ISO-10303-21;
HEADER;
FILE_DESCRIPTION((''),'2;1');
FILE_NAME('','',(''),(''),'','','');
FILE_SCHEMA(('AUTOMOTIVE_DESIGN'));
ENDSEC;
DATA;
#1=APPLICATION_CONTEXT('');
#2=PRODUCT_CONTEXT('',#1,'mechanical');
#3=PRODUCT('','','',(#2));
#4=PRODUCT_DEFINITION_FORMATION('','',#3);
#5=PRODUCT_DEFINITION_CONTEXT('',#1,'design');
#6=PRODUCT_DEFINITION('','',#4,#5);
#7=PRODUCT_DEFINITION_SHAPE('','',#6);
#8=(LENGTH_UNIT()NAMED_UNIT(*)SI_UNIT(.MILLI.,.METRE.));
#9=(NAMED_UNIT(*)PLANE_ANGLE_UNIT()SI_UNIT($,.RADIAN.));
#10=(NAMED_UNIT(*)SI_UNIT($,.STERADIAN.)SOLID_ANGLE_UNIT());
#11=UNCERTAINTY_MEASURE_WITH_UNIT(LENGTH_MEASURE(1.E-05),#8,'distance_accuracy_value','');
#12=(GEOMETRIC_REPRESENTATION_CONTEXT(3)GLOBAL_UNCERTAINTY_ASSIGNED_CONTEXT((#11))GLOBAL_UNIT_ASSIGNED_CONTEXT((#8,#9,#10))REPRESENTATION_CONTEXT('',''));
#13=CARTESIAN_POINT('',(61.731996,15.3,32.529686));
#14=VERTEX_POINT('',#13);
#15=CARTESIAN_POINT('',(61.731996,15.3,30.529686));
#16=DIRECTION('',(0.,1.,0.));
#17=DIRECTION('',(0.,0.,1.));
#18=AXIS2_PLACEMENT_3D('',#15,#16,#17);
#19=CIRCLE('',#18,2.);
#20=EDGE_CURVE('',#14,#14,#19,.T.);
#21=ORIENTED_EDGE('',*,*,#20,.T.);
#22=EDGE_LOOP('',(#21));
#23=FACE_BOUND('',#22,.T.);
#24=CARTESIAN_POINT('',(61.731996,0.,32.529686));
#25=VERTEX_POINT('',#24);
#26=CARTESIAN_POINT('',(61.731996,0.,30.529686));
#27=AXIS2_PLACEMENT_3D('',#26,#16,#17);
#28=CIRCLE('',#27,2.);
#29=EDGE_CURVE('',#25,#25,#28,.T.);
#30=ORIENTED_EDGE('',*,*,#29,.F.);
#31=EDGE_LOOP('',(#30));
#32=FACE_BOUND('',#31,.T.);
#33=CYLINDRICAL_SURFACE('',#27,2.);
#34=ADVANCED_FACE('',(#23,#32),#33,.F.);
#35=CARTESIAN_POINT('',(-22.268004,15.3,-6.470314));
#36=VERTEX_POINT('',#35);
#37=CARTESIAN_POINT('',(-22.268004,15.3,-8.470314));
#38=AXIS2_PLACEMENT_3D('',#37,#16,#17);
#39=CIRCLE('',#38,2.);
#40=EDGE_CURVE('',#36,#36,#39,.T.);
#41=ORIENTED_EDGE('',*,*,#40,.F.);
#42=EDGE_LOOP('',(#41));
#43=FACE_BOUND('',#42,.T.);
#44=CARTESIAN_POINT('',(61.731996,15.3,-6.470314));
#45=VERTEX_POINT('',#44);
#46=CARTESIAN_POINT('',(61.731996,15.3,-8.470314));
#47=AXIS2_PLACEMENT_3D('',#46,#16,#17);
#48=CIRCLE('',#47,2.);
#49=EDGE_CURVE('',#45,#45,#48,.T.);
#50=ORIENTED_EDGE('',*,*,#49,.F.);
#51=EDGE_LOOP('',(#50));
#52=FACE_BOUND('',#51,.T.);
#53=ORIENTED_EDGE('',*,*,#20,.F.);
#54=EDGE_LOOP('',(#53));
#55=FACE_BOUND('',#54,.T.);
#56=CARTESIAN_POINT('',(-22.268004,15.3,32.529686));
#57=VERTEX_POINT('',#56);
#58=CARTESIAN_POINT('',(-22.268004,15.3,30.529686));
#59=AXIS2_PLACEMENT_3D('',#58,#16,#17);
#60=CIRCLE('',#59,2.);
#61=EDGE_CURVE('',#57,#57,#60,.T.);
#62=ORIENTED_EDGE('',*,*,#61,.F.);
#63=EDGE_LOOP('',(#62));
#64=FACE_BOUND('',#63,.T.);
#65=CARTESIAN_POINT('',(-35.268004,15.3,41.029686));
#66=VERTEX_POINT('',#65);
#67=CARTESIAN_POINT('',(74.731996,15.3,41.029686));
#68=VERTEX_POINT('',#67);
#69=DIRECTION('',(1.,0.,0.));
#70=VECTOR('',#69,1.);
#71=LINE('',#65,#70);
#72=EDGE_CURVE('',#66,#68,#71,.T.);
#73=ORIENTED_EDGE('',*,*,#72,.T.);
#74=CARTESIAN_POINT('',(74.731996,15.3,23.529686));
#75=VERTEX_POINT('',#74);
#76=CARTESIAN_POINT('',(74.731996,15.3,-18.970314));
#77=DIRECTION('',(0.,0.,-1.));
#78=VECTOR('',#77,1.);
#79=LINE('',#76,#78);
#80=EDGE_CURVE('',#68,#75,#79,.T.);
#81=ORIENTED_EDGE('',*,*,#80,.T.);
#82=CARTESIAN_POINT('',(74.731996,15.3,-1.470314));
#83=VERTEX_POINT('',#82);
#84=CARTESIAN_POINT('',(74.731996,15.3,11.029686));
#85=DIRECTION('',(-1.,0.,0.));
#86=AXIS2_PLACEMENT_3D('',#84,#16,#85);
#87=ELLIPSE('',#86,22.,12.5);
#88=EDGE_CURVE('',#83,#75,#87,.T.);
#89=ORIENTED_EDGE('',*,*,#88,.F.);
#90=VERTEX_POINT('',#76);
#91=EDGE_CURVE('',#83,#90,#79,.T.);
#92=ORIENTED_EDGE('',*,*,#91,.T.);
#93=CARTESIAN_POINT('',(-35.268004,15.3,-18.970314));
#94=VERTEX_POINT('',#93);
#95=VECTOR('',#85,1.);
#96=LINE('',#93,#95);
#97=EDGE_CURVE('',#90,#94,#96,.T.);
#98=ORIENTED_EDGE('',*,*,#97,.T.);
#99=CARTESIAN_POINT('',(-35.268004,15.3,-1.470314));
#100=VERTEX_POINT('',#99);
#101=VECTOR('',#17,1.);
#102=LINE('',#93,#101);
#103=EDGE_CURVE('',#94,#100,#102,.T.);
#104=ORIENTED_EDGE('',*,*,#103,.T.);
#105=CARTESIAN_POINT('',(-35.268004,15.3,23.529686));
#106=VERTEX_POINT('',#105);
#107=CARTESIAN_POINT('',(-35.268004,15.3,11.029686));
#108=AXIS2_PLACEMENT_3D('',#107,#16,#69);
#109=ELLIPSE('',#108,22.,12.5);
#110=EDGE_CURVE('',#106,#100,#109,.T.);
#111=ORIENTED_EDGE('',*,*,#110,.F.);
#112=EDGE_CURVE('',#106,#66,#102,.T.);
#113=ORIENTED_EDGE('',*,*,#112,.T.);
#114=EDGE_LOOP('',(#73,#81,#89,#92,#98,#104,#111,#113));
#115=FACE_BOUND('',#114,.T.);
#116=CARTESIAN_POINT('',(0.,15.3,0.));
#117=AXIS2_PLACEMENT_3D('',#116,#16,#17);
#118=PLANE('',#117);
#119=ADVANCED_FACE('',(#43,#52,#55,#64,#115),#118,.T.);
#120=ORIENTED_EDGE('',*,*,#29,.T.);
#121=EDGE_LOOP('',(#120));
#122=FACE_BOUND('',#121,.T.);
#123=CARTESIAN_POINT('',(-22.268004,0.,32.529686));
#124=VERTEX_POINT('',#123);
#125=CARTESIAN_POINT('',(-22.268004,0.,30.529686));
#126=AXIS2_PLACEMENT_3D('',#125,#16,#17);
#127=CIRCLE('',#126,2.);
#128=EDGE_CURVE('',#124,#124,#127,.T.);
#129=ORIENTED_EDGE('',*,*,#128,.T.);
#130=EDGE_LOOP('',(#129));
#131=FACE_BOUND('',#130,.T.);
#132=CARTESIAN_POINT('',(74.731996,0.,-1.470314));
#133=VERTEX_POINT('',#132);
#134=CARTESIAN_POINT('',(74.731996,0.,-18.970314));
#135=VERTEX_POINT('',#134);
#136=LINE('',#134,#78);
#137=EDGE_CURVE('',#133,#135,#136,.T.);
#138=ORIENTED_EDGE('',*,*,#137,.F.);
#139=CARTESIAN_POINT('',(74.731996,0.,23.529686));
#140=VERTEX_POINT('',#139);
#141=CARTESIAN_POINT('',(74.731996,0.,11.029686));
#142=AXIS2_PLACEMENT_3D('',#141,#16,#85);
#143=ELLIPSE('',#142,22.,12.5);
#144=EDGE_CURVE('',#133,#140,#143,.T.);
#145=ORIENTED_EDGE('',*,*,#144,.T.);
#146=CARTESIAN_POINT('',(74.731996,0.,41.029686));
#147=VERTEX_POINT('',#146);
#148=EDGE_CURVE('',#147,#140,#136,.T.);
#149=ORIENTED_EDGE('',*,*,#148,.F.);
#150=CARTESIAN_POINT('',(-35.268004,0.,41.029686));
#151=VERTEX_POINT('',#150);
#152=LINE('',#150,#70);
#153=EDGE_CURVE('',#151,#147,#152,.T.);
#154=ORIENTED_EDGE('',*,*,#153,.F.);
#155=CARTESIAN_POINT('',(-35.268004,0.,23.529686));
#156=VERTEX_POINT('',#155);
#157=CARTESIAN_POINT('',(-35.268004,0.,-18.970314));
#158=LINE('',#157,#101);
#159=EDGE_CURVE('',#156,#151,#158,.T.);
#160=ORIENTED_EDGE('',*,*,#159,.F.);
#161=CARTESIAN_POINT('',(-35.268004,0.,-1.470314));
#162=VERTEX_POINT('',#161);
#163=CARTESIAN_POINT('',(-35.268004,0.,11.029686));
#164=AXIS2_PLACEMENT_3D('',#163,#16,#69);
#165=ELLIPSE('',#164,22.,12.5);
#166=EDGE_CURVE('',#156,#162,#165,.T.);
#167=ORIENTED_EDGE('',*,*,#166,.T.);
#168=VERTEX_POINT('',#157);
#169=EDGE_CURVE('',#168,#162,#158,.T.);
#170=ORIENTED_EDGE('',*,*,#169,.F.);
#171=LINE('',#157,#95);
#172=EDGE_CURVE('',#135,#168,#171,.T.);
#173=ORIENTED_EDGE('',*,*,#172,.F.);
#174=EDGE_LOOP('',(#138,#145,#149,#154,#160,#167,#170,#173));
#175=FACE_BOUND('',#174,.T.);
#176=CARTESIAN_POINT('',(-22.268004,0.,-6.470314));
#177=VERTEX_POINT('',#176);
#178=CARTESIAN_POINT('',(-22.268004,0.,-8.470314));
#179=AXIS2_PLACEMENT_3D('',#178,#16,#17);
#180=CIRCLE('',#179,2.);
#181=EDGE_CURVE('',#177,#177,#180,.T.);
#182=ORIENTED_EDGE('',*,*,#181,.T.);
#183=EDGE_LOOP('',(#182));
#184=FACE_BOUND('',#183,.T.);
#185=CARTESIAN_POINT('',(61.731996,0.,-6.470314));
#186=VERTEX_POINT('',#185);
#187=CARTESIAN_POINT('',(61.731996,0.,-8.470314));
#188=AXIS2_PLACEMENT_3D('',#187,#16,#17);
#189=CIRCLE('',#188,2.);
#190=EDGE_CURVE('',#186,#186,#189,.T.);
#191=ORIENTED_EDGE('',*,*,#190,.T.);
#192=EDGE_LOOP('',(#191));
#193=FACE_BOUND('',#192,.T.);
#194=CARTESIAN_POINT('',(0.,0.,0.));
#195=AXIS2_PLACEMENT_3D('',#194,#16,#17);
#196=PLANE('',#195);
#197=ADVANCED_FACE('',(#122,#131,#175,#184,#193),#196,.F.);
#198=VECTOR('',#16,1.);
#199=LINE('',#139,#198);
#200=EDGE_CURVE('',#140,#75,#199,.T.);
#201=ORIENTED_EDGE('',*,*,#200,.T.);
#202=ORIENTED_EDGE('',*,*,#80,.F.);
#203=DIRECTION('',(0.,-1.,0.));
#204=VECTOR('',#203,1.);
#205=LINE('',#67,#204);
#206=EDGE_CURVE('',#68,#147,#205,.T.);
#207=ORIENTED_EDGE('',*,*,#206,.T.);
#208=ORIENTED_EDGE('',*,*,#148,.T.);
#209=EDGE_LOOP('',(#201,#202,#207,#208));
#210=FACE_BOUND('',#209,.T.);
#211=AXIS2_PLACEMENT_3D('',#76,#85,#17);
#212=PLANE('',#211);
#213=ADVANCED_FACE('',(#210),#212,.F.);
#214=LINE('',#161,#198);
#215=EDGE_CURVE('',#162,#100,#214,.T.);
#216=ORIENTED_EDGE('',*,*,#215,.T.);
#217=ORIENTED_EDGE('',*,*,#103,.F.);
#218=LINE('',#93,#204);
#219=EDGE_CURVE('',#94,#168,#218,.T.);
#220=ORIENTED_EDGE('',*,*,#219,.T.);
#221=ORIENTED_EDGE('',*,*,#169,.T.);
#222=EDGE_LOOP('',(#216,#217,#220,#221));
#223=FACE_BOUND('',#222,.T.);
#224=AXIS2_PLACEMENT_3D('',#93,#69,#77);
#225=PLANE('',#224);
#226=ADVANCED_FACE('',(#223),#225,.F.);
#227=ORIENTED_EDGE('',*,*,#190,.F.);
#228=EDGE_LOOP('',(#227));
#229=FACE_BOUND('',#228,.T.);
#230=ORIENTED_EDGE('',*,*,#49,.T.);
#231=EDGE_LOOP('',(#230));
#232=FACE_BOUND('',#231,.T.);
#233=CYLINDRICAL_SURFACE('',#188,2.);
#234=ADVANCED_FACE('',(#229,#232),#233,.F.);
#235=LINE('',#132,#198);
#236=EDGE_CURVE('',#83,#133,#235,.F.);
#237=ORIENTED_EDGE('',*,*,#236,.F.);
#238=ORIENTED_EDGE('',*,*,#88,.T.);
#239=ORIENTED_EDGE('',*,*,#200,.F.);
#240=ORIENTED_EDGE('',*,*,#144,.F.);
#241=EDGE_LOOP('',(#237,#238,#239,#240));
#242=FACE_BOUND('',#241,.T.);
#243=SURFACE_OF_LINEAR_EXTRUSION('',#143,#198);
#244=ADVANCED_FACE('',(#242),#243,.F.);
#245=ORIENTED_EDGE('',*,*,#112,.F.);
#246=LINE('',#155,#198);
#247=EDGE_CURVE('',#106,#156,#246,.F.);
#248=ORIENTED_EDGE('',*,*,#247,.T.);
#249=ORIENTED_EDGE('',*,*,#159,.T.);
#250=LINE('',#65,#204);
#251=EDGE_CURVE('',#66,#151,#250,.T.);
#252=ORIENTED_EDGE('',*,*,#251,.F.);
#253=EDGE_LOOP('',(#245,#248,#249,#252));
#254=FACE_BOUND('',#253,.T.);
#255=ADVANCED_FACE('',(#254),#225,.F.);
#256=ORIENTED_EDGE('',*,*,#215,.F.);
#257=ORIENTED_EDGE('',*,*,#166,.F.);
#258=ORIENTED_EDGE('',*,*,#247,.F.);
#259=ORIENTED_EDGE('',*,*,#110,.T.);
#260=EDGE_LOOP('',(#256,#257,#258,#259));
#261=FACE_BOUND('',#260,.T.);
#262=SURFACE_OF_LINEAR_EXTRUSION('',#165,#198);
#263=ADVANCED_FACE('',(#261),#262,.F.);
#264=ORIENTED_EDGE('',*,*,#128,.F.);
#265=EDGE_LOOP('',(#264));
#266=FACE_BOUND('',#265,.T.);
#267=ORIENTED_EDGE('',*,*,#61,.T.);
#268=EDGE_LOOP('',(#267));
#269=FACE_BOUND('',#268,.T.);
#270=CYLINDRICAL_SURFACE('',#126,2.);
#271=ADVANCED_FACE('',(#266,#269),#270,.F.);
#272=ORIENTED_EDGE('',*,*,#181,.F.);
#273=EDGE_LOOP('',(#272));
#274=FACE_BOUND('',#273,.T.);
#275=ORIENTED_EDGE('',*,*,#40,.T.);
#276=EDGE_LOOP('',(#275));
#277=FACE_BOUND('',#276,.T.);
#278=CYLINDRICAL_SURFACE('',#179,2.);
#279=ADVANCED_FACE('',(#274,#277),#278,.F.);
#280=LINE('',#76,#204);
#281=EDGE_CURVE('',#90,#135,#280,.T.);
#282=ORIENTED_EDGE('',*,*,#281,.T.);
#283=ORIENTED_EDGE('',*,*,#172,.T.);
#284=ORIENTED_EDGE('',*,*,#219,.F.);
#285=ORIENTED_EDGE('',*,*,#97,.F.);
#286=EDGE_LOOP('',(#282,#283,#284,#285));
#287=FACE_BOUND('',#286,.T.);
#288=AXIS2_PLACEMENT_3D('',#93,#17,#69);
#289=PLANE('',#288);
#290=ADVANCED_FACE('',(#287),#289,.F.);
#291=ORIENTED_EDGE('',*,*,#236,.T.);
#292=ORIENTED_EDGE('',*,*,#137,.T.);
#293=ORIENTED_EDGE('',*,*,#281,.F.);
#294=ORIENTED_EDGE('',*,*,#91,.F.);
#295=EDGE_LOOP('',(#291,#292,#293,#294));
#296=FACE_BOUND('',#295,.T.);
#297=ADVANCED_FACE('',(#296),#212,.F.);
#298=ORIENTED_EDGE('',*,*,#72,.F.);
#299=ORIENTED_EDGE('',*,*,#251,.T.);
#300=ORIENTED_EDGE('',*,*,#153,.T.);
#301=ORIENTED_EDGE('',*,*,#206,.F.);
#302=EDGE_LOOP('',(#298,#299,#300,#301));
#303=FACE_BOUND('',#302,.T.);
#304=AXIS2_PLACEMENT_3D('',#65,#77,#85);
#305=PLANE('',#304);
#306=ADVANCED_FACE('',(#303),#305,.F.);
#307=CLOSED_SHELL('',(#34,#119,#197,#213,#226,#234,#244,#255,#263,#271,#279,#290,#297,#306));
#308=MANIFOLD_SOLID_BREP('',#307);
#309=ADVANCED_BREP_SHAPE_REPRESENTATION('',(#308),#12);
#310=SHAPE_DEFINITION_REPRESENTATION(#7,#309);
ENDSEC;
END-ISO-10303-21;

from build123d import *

# Parameters (mm, degrees)
ESQUISSE1_W             = 110
ESQUISSE1_H             = 60
BOSS_EXTRU_1_DEPTH      = 15.3
ESQUISSE2_R             = 2
ENL_V_MAT_EXTRU_2_DEPTH = 87.616374477
ESQUISSE5_RX            = 22
ESQUISSE5_RY            = 12.5
ENL_V_MAT_EXTRU_4_DEPTH = 87.616374477


with BuildPart() as part:
    # Esquisse1 → Boss.-Extru.1 (new body)
    with BuildSketch(Plane(origin=(0, 0, 0), x_dir=(1, 0, 0), z_dir=(0, 1, 0))):
        with Locations((19.731995919, -11.029685758)):
            Rectangle(ESQUISSE1_W, ESQUISSE1_H)
    extrude(amount=BOSS_EXTRU_1_DEPTH)

    # Esquisse2 → Enlèv. mat.-Extru.2 (cut, through all)
    with BuildSketch(Plane(origin=(0, 15.3, 0), x_dir=(1, 0, 0), z_dir=(0, 1, 0))):
        with Locations(Location((61.731995919, 8.470314242, 0), (0, 0, 270))):
            Circle(ESQUISSE2_R)
        with Locations(Location((61.731995919, -30.529685758, 0), (0, 0, 270))):
            Circle(ESQUISSE2_R)
        with Locations(Location((-22.268004081, 8.470314242, 0), (0, 0, 270))):
            Circle(ESQUISSE2_R)
        with Locations(Location((-22.268004081, -30.529685758, 0), (0, 0, 270))):
            Circle(ESQUISSE2_R)
    extrude(amount=-ENL_V_MAT_EXTRU_2_DEPTH, mode=Mode.SUBTRACT)

    # Esquisse5 → Enlèv. mat.-Extru.4 (cut, through all)
    with BuildSketch(Plane(origin=(0, 15.3, 0), x_dir=(1, 0, 0), z_dir=(0, 1, 0))):
        with Locations((-35.268004081, -11.029685758)):
            Ellipse(ESQUISSE5_RX, ESQUISSE5_RY)
        with Locations(Location((74.731995919, -11.029685758), (0, 0, 180))):
            Ellipse(ESQUISSE5_RX, ESQUISSE5_RY)
    extrude(amount=-ENL_V_MAT_EXTRU_4_DEPTH, mode=Mode.SUBTRACT)


solid = part.part
